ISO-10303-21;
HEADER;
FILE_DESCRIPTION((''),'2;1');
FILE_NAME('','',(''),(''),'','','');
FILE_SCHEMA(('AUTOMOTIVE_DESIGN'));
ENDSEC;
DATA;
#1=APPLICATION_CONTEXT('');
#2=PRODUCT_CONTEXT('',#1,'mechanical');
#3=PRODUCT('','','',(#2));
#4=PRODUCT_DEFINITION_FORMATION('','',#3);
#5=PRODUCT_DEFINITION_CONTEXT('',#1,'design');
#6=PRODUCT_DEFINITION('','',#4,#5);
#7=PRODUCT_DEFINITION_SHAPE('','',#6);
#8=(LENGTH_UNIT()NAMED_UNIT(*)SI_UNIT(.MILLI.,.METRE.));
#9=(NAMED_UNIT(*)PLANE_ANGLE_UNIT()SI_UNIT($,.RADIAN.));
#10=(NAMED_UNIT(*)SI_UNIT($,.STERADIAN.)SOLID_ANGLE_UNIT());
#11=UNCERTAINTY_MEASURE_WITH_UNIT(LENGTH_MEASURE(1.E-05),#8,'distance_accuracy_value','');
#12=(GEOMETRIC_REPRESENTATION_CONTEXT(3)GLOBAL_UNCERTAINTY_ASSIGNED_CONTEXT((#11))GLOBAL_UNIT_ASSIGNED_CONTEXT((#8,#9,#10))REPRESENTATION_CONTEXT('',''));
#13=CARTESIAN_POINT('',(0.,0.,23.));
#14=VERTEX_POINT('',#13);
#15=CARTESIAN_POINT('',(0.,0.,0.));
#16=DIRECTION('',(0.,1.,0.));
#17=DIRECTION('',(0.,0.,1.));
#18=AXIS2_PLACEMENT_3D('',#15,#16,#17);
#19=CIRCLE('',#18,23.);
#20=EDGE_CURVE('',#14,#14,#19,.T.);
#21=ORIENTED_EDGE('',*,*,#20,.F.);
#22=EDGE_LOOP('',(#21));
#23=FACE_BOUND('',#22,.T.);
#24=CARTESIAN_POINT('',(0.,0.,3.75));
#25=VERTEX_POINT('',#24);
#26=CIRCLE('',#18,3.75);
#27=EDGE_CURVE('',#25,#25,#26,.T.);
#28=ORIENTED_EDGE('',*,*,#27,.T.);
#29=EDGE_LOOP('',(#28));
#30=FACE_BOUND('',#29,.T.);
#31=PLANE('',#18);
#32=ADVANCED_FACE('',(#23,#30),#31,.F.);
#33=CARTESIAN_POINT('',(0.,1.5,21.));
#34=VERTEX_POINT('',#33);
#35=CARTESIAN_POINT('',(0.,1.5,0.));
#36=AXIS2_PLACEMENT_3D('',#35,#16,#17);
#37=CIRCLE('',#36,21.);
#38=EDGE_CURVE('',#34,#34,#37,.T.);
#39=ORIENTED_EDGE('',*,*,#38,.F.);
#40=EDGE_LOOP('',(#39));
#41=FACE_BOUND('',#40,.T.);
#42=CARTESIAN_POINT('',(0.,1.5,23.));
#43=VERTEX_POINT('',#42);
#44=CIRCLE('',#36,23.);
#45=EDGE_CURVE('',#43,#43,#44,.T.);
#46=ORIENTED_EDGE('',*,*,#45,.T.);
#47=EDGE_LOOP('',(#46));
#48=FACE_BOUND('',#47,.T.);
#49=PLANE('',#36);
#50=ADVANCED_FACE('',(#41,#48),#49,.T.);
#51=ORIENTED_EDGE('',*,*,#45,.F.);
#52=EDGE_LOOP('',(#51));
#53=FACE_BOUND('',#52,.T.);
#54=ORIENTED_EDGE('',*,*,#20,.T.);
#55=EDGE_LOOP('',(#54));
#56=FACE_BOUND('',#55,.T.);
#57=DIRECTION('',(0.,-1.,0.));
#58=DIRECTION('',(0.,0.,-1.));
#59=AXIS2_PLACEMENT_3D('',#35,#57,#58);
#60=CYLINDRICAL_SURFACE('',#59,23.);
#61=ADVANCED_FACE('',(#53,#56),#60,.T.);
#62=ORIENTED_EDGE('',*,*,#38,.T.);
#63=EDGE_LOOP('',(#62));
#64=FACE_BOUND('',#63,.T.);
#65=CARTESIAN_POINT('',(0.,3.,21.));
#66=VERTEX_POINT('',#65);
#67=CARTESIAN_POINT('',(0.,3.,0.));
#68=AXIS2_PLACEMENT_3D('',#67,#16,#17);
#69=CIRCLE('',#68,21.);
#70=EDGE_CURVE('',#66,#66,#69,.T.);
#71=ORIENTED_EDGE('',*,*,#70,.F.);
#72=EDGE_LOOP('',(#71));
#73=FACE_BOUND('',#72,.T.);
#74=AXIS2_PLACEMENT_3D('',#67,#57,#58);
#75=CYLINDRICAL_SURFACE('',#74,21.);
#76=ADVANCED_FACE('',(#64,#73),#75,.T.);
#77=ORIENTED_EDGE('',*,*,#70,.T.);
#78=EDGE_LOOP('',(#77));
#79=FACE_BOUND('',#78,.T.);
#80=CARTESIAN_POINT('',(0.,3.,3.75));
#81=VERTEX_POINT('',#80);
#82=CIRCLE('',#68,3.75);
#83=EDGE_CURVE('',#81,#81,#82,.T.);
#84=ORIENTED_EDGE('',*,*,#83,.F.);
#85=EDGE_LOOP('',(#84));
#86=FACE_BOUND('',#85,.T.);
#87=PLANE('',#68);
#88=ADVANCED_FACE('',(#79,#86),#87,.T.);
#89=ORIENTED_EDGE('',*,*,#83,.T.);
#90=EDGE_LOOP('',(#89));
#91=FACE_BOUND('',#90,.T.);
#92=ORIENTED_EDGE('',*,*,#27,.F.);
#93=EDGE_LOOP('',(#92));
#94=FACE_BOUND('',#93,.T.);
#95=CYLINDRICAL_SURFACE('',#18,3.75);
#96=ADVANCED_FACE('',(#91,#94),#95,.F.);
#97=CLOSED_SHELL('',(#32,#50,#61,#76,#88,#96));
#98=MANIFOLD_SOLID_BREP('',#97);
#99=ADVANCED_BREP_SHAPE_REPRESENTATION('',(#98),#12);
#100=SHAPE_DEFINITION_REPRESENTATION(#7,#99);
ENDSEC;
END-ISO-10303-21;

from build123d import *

# Parameters (mm, degrees)
SKETCH1_R           = 23
BOSS_EXTRUDE1_DEPTH = 1.5
SKETCH2_R           = 21
BOSS_EXTRUDE2_DEPTH = 1.5
SKETCH3_R           = 3.75
CUT_EXTRUDE2_DEPTH  = 33.664965942


with BuildPart() as part:
    # Sketch1 → Boss-Extrude1 (new body)
    with BuildSketch(Plane(origin=(0, 0, 0), x_dir=(1, 0, 0), z_dir=(0, 1, 0))):
        with Locations(Location((0, 0, 0), (0, 0, 270))):
            Circle(SKETCH1_R)
    extrude(amount=BOSS_EXTRUDE1_DEPTH)

    # Sketch2 → Boss-Extrude2 (add)
    with BuildSketch(Plane(origin=(0, 1.5, 0), x_dir=(1, 0, 0), z_dir=(0, 1, 0))):
        with Locations(Location((0, 0, 0), (0, 0, 270))):
            Circle(SKETCH2_R)
    extrude(amount=BOSS_EXTRUDE2_DEPTH)

    # Sketch3 → Cut-Extrude2 (cut, through all)
    with BuildSketch(Plane(origin=(0, 3, 0), x_dir=(1, 0, 0), z_dir=(0, 1, 0))):
        with Locations(Location((0, 0, 0), (0, 0, 270))):
            Circle(SKETCH3_R)
    extrude(amount=-CUT_EXTRUDE2_DEPTH, mode=Mode.SUBTRACT)


solid = part.part
